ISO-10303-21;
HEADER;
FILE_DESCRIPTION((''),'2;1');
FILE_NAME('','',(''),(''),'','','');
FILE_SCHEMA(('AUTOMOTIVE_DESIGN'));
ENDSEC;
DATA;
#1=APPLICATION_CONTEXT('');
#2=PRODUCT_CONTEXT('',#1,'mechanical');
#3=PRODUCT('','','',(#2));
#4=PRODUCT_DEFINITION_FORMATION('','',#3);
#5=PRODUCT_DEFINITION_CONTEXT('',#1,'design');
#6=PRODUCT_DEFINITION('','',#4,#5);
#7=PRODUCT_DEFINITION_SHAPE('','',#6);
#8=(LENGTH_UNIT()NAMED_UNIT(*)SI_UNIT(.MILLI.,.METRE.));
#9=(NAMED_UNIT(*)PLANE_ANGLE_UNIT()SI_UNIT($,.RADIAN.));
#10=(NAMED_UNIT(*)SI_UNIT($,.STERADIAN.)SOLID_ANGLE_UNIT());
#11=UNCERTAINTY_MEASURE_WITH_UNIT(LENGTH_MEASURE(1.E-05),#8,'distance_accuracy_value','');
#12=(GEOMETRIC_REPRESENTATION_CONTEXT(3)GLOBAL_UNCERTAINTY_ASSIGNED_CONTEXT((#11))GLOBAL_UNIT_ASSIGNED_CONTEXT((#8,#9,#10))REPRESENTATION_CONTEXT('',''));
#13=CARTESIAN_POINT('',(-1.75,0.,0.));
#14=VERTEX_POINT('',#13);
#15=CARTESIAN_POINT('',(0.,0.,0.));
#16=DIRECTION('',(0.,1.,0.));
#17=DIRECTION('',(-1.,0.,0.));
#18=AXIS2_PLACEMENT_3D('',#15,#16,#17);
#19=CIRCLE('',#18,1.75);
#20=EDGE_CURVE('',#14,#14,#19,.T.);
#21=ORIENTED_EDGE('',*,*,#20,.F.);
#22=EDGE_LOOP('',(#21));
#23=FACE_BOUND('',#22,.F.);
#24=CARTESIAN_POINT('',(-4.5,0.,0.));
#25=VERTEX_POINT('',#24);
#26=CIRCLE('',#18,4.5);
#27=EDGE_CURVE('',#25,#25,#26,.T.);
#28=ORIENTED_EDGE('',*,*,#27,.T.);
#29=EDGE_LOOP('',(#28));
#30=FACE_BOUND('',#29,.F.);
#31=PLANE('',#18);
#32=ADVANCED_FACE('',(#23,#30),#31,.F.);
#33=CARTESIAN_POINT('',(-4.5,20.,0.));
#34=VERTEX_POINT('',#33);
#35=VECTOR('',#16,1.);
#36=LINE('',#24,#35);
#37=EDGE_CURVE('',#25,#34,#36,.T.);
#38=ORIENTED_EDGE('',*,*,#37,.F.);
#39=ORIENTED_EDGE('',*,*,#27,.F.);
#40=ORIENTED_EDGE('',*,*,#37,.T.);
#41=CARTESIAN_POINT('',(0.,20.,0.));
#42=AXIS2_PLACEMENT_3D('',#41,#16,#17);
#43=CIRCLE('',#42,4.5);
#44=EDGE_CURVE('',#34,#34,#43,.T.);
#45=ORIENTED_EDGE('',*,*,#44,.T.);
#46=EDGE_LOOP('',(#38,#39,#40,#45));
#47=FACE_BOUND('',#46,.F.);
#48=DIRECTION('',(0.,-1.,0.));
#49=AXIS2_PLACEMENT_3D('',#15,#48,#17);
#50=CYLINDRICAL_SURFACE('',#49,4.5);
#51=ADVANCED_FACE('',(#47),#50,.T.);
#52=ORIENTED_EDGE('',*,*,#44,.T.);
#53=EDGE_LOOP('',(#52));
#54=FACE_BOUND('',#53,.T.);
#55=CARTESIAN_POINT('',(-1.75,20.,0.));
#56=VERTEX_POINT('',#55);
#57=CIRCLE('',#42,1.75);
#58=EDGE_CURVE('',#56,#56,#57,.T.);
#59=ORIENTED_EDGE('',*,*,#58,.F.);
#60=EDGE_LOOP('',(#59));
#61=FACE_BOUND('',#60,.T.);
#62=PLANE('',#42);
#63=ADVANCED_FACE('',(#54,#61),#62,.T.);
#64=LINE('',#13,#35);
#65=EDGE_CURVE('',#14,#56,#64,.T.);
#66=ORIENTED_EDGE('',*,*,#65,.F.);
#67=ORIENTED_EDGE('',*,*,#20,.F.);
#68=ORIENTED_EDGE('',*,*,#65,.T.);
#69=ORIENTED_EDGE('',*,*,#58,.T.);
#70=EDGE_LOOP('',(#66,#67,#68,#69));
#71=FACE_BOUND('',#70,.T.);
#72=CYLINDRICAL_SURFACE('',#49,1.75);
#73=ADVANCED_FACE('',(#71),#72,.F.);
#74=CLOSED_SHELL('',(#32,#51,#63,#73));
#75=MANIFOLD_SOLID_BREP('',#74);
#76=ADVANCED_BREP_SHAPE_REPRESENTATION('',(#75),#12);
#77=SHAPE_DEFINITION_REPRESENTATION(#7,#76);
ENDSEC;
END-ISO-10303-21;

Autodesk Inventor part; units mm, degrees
ref_plane "YZ Plane" through (0, 0, 0) normal (1, 0, 0) x (0, 1, 0)
ref_plane "XZ Plane" through (0, 0, 0) normal (0, 1, 0) x (-1, 0, 0)
ref_plane "XY Plane" through (0, 0, 0) normal (0, 0, 1) x (1, 0, 0)
sketch "Boceto1" plane through (0, 0, 0) normal (0, 1, 0) x (-1, 0, 0)
  circle A0 centre (0, 0) radius 4.5
  circle A1 centre (0, 0) radius 1.75
  dimension "d0" = 9
  dimension "d1" = 3.5
extrude "Extrusión1" add sketch "Boceto1" along normal blind 20
properties part number "sepmoit"
